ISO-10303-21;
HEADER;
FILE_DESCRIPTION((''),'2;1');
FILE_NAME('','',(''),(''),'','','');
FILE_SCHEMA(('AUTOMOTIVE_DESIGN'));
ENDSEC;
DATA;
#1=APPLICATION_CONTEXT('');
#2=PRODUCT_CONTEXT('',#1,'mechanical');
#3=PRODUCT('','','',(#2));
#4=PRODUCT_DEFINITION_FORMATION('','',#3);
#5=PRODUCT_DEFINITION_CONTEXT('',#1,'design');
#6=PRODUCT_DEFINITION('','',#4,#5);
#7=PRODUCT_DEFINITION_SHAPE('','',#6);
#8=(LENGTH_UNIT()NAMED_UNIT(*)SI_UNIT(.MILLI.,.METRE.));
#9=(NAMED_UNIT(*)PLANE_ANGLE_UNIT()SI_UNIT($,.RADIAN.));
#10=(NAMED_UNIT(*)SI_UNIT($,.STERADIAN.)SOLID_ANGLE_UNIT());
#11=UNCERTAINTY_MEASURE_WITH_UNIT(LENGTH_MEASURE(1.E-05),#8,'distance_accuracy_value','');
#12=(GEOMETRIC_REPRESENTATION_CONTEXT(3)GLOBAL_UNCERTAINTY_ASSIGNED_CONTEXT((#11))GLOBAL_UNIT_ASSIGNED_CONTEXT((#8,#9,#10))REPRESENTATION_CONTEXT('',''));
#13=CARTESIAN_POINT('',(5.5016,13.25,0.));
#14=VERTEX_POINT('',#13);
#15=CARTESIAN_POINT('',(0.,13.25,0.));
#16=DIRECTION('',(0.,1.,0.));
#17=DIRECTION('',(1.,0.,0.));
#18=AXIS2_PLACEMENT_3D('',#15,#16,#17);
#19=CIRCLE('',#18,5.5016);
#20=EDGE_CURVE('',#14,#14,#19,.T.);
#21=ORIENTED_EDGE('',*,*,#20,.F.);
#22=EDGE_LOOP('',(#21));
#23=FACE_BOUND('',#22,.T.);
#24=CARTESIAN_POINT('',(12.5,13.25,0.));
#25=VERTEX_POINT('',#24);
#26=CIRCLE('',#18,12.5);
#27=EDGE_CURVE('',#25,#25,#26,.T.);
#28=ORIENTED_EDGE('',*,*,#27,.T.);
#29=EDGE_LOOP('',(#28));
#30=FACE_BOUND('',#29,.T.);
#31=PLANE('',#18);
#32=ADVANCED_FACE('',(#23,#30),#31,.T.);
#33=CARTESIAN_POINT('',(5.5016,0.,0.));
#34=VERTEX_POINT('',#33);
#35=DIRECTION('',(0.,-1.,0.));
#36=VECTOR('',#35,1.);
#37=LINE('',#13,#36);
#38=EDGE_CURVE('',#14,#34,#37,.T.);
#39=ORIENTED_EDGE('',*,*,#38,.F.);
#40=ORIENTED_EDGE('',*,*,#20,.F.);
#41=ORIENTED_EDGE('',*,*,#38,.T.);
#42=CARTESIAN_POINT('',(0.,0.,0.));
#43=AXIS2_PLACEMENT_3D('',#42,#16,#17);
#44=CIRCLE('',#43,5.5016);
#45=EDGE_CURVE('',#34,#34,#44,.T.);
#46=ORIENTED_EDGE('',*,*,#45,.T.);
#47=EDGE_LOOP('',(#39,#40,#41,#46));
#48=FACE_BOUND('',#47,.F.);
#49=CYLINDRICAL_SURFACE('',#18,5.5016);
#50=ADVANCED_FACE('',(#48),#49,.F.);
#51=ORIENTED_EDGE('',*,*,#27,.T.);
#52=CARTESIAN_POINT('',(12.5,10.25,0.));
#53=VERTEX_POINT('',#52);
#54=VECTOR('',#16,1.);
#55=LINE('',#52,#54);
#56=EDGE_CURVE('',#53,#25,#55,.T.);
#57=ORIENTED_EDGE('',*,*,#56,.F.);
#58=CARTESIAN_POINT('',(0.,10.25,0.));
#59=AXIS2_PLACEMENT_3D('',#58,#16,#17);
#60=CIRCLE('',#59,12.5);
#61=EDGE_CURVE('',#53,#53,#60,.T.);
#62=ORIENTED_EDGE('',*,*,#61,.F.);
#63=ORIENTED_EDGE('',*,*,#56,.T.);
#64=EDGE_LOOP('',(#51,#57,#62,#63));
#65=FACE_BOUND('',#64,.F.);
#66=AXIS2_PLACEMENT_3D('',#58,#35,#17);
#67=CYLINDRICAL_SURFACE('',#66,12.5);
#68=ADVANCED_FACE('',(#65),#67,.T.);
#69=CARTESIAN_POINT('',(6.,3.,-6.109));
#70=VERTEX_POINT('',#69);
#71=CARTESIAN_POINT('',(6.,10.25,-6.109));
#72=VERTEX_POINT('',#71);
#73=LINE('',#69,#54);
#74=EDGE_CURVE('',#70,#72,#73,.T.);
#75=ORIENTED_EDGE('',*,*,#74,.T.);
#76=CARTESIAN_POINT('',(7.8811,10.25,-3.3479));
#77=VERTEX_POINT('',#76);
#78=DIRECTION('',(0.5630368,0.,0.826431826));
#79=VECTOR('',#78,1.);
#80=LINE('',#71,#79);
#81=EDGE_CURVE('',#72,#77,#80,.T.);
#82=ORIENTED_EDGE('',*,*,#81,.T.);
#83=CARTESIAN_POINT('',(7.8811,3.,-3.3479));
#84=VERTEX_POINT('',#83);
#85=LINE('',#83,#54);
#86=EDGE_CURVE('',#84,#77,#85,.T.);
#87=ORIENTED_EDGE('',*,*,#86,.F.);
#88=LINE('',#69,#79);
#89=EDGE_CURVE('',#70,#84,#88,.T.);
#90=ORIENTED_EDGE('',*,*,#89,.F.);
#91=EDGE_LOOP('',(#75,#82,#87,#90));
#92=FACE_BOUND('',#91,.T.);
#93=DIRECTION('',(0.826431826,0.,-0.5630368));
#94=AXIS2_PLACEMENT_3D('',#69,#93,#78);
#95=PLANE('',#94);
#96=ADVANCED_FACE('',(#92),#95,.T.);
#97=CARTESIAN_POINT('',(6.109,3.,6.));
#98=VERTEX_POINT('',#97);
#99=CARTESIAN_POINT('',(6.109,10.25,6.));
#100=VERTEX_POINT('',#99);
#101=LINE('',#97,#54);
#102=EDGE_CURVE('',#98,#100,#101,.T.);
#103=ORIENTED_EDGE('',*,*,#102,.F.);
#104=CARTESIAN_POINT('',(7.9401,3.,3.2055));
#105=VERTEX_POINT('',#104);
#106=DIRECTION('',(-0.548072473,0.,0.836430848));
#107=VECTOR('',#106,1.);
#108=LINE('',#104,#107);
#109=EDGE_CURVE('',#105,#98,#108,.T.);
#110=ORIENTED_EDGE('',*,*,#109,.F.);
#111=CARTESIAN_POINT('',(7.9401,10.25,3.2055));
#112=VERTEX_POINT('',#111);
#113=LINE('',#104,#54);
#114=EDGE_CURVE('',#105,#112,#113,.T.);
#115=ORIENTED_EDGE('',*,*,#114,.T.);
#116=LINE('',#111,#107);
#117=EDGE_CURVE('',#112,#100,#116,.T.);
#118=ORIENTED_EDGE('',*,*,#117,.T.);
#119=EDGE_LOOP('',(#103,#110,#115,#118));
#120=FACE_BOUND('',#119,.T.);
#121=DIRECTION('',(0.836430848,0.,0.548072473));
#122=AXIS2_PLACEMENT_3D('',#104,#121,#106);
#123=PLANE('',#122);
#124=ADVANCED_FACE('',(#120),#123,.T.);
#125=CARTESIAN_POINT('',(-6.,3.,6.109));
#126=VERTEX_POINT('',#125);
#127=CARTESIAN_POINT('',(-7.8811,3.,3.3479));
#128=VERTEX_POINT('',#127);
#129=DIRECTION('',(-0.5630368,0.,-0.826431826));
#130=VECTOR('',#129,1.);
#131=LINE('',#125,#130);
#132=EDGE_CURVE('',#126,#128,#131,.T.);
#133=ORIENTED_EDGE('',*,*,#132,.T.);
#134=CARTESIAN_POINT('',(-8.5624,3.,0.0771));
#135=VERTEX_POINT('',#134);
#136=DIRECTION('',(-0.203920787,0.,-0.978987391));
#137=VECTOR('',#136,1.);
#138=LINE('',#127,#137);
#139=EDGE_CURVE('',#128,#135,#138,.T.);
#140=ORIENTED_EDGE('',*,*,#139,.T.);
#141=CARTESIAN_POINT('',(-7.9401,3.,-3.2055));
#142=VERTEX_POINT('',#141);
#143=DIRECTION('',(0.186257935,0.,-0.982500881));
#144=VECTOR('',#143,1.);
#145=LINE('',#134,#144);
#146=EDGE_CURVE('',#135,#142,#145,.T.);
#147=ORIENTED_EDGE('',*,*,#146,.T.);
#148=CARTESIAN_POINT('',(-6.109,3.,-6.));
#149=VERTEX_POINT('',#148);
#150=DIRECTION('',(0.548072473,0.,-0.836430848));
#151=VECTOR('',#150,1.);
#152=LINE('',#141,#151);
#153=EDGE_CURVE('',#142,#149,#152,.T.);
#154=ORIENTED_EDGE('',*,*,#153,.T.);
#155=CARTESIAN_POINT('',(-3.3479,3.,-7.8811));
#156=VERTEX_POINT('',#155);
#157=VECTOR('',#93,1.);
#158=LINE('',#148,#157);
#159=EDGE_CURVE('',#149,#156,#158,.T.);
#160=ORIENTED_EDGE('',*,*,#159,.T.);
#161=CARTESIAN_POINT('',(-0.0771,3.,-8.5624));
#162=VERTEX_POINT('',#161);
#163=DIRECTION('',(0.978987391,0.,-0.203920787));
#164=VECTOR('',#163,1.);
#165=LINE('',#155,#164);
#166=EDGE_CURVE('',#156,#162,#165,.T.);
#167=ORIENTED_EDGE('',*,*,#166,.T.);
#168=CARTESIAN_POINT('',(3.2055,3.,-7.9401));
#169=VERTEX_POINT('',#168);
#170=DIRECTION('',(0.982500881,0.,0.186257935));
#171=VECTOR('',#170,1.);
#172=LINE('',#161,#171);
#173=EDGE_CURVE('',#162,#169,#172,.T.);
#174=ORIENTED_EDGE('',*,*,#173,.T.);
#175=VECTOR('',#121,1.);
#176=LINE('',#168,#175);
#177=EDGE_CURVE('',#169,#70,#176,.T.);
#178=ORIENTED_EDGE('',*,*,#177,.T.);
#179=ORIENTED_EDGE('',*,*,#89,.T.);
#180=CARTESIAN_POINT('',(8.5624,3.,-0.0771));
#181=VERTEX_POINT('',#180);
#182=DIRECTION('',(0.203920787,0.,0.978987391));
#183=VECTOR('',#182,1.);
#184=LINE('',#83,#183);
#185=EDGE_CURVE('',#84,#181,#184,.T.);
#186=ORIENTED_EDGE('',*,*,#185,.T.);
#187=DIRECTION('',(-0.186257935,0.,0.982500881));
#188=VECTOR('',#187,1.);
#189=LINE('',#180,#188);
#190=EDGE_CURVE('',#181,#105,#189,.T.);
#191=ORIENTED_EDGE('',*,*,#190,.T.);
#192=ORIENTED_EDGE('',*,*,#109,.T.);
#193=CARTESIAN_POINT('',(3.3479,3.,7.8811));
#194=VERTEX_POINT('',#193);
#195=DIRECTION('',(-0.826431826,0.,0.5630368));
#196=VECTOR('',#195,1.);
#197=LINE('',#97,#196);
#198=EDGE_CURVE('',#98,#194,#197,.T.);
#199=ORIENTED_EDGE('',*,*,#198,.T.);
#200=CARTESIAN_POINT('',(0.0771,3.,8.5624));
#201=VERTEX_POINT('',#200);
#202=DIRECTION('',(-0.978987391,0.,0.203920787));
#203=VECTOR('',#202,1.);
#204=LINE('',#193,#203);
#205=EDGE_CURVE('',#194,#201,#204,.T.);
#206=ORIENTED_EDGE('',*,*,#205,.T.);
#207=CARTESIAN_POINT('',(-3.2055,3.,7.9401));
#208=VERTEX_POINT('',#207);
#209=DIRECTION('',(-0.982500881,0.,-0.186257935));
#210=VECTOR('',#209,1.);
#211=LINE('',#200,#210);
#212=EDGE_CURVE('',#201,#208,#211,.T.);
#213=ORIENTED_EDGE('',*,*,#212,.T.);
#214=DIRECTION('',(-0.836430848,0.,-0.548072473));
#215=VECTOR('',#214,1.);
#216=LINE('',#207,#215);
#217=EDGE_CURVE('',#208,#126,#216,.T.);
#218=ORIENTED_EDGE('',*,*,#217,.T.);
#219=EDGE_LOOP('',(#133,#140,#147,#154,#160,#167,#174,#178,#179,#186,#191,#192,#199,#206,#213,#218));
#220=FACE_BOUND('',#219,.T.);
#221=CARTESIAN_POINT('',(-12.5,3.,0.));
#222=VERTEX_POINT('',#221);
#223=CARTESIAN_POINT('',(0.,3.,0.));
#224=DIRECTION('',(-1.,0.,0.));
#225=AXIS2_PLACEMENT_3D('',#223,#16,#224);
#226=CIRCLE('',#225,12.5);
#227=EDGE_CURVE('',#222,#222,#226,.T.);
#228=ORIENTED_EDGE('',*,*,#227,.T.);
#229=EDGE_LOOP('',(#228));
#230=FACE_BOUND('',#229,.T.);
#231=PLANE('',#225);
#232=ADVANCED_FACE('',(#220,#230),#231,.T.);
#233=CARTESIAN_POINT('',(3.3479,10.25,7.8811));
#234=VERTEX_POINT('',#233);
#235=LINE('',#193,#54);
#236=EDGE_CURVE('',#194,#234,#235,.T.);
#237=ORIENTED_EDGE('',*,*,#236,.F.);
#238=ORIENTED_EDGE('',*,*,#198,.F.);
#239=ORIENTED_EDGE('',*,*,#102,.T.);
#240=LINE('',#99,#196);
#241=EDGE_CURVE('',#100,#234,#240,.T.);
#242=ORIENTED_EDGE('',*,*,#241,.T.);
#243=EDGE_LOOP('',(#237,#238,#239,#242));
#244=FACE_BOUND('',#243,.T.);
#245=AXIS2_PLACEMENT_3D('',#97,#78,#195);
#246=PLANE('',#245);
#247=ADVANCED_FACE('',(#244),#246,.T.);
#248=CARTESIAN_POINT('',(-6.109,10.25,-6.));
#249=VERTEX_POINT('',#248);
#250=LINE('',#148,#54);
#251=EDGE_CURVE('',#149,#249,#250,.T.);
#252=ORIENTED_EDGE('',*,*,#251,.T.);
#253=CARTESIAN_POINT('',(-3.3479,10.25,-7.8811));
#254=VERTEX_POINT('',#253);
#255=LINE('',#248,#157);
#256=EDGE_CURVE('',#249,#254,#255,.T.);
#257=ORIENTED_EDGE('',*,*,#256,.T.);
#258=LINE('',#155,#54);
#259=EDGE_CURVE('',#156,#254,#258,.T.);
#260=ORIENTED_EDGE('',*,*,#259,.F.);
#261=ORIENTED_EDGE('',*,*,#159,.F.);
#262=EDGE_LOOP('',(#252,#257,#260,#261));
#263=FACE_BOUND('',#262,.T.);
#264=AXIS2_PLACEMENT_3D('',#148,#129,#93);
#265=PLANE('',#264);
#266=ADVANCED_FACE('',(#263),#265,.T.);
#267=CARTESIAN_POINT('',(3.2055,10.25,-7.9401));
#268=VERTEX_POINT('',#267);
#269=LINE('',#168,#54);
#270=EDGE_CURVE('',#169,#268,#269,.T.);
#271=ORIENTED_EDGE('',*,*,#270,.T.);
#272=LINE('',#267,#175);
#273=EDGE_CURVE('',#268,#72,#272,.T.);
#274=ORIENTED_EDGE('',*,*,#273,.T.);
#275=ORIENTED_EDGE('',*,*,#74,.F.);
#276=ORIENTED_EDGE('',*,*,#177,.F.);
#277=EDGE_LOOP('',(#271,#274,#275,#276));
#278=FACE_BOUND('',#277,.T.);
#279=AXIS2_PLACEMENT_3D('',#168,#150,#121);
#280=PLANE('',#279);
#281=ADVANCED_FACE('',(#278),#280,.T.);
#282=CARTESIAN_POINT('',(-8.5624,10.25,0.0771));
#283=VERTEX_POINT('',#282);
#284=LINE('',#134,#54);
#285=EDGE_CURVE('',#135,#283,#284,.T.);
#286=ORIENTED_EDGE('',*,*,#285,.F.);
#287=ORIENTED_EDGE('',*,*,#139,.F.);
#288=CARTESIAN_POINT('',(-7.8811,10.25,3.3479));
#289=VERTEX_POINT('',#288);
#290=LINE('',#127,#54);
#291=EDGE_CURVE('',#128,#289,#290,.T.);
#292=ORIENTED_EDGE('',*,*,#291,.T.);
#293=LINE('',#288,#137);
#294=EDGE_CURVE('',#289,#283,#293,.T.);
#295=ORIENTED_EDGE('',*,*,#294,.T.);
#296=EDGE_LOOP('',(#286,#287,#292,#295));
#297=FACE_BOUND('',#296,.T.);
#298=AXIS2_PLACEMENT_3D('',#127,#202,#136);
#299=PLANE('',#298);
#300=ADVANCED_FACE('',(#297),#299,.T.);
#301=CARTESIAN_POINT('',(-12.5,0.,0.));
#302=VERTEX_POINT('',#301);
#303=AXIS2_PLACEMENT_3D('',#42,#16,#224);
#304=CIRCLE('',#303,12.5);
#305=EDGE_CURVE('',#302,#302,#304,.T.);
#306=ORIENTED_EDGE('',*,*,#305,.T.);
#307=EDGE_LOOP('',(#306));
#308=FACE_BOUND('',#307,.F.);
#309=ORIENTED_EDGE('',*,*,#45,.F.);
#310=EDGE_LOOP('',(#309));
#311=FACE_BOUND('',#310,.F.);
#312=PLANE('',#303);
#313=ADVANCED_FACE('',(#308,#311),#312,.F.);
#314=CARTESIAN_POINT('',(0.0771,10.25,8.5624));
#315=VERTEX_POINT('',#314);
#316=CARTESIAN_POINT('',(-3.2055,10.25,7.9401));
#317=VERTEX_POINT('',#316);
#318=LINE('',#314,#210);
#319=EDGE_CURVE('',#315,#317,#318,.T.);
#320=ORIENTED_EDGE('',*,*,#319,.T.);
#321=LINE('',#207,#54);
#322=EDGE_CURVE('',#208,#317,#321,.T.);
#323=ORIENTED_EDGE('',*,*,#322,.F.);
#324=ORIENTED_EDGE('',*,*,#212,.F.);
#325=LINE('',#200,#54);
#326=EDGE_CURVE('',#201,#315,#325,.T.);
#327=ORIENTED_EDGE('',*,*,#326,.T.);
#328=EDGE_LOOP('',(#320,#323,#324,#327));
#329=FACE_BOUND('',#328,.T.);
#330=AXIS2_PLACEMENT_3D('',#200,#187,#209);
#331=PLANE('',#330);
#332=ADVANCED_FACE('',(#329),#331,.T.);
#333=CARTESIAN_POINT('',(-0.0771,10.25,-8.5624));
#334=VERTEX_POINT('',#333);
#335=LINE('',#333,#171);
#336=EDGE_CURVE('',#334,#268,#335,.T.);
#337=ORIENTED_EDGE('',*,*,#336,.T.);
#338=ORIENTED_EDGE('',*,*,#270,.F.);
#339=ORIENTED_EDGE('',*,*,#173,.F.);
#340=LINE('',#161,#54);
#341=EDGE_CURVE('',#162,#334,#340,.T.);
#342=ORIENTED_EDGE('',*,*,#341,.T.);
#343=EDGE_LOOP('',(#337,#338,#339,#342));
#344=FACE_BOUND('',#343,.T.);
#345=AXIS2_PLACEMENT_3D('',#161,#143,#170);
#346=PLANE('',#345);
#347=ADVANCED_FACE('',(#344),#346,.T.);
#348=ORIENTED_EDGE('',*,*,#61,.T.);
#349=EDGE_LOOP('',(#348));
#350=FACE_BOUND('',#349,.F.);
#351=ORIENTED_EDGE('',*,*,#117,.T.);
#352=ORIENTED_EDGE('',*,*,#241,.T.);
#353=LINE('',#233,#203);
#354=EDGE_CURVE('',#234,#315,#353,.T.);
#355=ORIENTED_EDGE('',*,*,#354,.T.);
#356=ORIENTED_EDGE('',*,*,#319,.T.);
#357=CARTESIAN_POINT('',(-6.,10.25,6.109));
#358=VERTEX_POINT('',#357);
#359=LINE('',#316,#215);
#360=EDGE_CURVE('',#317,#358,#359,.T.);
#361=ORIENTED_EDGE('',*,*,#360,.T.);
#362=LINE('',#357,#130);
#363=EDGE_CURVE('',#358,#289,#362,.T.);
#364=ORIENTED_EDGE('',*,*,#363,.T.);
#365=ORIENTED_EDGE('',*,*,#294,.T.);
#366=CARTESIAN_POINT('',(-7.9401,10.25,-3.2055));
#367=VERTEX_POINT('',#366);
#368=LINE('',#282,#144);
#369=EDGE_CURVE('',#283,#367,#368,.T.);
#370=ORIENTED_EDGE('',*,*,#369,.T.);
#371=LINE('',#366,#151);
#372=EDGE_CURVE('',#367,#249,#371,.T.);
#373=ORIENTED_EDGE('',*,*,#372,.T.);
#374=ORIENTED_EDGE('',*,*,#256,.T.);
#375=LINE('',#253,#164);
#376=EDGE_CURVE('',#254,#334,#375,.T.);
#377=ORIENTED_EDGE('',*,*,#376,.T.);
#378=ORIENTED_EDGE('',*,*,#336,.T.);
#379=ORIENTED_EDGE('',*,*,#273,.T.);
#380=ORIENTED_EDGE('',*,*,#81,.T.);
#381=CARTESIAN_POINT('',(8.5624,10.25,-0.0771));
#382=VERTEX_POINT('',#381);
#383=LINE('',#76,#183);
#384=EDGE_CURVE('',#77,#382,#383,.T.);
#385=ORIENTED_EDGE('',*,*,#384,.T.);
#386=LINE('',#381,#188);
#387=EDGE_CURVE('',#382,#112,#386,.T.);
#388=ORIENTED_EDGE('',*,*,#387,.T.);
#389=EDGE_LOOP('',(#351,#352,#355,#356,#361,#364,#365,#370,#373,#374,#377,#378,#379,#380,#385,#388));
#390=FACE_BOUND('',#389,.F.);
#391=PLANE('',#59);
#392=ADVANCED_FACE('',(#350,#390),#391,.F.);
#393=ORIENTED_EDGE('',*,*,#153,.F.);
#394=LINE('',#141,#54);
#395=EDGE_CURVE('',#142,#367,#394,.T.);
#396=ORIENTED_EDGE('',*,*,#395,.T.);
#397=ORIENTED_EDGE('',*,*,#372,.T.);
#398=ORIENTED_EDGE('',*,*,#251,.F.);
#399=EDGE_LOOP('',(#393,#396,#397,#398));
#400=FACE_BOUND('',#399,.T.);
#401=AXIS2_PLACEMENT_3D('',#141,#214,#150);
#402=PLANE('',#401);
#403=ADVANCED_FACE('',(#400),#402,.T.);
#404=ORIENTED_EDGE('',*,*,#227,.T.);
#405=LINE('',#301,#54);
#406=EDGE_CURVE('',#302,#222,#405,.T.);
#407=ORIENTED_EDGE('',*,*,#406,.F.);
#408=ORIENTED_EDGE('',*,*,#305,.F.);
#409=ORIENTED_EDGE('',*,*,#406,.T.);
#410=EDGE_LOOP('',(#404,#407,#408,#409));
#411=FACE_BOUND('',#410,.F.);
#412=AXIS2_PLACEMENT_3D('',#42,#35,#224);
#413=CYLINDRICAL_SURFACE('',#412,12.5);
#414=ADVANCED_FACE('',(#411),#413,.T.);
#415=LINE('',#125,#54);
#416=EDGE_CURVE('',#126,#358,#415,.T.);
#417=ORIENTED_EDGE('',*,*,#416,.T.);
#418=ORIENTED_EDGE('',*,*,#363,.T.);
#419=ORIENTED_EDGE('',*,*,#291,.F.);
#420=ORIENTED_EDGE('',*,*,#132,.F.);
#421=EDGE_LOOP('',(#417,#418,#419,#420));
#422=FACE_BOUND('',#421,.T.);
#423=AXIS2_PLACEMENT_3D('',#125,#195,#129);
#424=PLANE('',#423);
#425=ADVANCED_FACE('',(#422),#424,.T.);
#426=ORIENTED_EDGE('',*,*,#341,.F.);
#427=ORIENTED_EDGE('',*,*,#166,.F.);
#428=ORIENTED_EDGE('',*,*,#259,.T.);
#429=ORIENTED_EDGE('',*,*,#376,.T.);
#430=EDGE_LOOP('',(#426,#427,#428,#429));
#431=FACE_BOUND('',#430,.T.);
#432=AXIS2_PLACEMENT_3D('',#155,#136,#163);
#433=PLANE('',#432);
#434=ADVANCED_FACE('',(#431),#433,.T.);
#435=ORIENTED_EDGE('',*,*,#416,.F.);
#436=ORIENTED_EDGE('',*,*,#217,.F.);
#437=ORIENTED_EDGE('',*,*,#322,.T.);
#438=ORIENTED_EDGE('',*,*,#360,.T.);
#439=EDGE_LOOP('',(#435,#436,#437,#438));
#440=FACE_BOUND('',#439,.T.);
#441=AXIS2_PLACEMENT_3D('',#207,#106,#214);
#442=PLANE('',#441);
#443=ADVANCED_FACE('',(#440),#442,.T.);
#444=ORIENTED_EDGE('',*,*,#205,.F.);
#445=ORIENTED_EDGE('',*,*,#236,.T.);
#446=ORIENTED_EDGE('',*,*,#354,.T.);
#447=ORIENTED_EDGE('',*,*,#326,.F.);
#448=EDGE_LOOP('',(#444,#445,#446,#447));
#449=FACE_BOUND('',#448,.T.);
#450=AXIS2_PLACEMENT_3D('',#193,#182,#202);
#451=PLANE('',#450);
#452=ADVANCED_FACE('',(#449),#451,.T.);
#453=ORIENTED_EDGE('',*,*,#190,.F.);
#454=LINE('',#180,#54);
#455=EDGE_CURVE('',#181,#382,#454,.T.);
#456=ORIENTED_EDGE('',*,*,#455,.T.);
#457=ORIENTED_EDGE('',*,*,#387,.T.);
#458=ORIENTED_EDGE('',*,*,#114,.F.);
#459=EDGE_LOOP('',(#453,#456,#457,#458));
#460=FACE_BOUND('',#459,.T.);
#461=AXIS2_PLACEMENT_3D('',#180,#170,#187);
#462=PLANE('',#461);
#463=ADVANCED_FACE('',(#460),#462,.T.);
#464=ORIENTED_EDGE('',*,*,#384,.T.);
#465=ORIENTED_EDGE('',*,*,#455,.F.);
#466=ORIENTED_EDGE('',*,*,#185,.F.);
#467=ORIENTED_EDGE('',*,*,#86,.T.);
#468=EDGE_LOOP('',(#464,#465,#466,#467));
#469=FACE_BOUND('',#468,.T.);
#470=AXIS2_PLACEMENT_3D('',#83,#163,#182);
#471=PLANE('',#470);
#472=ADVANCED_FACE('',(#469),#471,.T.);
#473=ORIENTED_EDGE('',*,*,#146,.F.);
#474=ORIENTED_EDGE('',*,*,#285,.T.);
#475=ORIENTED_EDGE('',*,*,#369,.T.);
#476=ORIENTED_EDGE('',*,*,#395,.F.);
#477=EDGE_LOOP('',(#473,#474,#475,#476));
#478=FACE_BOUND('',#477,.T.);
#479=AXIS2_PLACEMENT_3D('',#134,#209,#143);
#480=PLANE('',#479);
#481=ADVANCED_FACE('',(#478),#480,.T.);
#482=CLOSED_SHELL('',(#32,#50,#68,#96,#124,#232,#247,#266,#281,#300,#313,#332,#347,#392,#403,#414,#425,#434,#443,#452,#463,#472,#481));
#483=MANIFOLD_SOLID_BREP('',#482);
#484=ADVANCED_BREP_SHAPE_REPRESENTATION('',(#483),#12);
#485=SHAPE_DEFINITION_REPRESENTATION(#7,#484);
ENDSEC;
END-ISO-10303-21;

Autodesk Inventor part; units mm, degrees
ref_plane "YZ Plane" through (0, 0, 0) normal (1, 0, 0) x (0, 1, 0)
ref_plane "XZ Plane" through (0, 0, 0) normal (0, 1, 0) x (-1, 0, 0)
ref_plane "XY Plane" through (0, 0, 0) normal (0, 0, 1) x (1, 0, 0)
sketch "Szkic1" plane through (0, 0, 0) normal (0, 1, 0) x (-1, 0, 0)
  circle A0 centre (0, 0) radius 12.5
  dimension "d0" = 25
extrude "Wyciągnięcie proste1" add sketch "Szkic1" along normal blind 3
sketch "Szkic7" plane through (0, 3, 0) normal (0, 1, 0) x (1, 0, 0)
  line L0 (6, 6.109) -> (7.8811, 3.3479)
  line L1 (7.8811, 3.3479) -> (8.5624, 0.0771)
  line L2 (8.5624, 0.0771) -> (7.9401, -3.2055)
  line L3 (7.9401, -3.2055) -> (6.109, -6)
  line L4 (6.109, -6) -> (3.3479, -7.8811)
  line L5 (3.3479, -7.8811) -> (0.0771, -8.5624)
  line L6 (0.0771, -8.5624) -> (-3.2055, -7.9401)
  line L7 (-3.2055, -7.9401) -> (-6, -6.109)
  line L8 (-6, -6.109) -> (-7.8811, -3.3479)
  line L9 (-7.8811, -3.3479) -> (-8.5624, -0.0771)
  line L10 (-8.5624, -0.0771) -> (-7.9401, 3.2055)
  line L11 (-7.9401, 3.2055) -> (-6.109, 6)
  line L12 (-6.109, 6) -> (-3.3479, 7.8811)
  line L13 (-3.3479, 7.8811) -> (-0.0771, 8.5624)
  line L14 (-0.0771, 8.5624) -> (3.2055, 7.9401)
  line L15 (3.2055, 7.9401) -> (6, 6.109)
  point P0 (0, 0)
  point P1 (0, 0)
extrude "Wyciągnięcie proste6" add sketch "Szkic7" along normal blind 7.25
sketch "Szkic8" plane through (0, 10.25, 0) normal (0, 1, 0) x (1, 0, 0)
  circle A0 centre (0, 0) radius 12.5
extrude "Wyciągnięcie proste7" add sketch "Szkic8" along normal blind 3
sketch "Szkic9" plane through (0, 13.25, 0) normal (0, 1, 0) x (1, 0, 0)
  circle A0 centre (0, 0) radius 5.5016
extrude "Wyciągnięcie proste8" cut sketch "Szkic9" against normal blind 30
properties part number "spool_short"
